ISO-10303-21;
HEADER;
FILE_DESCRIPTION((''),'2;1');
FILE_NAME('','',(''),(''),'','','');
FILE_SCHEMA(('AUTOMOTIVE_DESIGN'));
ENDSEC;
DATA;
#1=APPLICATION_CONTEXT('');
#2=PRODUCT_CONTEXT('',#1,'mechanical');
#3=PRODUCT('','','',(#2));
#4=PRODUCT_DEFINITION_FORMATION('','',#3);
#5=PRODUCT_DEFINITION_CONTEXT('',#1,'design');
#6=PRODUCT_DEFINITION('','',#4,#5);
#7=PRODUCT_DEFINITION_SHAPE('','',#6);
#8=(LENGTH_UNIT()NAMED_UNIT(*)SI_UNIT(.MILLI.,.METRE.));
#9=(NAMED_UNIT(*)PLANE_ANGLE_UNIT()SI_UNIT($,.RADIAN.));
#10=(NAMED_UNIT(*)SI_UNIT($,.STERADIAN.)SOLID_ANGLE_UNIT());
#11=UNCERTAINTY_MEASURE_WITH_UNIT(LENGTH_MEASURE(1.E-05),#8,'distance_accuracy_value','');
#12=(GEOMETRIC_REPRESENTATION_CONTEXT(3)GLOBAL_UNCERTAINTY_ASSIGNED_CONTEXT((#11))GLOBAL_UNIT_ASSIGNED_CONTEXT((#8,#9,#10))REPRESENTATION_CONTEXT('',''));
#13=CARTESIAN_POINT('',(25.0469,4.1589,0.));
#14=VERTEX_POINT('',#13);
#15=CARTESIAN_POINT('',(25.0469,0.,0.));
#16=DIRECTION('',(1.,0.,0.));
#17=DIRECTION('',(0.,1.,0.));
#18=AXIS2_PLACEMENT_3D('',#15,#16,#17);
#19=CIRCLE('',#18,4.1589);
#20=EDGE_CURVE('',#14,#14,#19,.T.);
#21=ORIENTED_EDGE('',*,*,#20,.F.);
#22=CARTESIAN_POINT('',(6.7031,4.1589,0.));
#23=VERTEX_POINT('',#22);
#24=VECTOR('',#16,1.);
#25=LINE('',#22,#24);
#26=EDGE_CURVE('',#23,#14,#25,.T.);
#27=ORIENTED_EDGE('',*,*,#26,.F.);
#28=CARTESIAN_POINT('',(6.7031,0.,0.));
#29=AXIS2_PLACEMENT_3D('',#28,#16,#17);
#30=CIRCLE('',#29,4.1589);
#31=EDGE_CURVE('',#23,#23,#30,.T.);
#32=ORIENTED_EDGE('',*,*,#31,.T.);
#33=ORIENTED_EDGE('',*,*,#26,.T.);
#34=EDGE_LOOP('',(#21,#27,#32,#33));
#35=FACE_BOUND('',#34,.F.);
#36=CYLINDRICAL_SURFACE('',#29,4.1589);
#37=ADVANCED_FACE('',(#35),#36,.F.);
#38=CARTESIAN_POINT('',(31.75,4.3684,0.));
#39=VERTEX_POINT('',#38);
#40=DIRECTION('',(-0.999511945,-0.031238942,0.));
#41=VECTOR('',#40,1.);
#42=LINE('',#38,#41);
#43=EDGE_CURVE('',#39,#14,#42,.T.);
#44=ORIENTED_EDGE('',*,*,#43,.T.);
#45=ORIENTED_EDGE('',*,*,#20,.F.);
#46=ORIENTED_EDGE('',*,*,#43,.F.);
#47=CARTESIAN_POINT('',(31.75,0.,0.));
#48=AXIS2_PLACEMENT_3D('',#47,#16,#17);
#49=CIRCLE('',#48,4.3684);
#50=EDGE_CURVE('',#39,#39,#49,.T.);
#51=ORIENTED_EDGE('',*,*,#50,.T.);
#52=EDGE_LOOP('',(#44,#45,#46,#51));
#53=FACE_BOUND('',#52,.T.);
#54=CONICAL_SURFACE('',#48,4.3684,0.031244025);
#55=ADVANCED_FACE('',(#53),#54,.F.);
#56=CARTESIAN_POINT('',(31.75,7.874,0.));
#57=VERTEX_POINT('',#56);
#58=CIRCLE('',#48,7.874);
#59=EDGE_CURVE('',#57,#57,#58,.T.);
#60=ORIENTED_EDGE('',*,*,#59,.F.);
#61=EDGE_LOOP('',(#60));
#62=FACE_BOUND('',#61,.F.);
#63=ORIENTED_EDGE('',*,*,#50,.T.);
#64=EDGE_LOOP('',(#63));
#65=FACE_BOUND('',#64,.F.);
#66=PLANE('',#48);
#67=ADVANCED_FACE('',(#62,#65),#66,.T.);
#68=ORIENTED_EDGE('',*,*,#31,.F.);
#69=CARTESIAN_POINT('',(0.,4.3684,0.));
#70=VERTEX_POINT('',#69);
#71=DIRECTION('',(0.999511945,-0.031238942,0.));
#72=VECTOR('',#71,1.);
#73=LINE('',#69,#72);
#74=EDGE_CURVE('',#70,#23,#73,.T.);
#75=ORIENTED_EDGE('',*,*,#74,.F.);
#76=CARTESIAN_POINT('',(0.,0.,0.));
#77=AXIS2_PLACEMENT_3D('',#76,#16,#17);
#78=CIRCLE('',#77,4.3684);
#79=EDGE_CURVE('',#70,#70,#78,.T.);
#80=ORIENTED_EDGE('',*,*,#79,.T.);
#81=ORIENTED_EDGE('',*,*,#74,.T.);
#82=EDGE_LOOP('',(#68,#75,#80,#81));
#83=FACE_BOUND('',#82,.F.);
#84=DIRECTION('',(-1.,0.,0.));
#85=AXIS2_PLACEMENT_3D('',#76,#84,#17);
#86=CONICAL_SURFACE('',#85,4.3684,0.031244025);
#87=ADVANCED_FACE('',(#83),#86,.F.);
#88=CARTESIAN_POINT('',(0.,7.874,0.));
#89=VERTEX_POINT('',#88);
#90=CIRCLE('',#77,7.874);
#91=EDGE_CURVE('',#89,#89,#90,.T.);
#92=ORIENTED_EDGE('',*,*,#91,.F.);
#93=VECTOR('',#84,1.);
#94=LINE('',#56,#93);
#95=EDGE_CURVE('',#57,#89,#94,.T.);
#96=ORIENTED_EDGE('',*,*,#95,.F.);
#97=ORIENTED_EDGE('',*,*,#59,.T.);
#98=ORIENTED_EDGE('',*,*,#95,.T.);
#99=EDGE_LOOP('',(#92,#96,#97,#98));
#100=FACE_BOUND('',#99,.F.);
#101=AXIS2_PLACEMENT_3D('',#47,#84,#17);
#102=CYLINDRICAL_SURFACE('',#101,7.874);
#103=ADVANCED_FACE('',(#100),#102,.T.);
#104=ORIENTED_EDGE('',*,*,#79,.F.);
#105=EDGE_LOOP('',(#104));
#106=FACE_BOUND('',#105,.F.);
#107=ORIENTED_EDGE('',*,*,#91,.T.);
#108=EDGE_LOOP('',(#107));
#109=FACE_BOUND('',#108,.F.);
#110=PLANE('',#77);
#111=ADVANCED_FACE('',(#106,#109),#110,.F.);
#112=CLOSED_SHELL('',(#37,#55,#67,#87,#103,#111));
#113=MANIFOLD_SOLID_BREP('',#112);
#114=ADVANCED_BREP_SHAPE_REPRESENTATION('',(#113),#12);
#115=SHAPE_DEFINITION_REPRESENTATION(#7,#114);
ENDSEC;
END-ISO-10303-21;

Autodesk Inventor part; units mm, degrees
ref_plane "YZ Plane" through (0, 0, 0) normal (1, 0, 0) x (0, 1, 0)
ref_plane "XZ Plane" through (0, 0, 0) normal (0, 1, 0) x (-1, 0, 0)
ref_plane "XY Plane" through (0, 0, 0) normal (0, 0, 1) x (1, 0, 0)
sketch "Sketch1" plane through (0, 0, 0) normal (0, 0, 1) x (1, 0, 0)
  line L0 (0, 0) -> (31.75, 0)
  line L1 (31.75, 0) -> (31.75, 4.3684) construction
  line L2 (31.75, 4.3684) -> (0, 4.3684) construction
  line L3 (0, 4.3684) -> (0, 0) construction
  line L4 (31.75, 4.3684) -> (31.75, 7.874)
  line L5 (31.75, 7.874) -> (0, 7.874)
  line L6 (0, 7.874) -> (0, 4.3684)
  line L7 (0, 4.3684) -> (6.7031, 4.1589)
  line L8 (15.875, 0) -> (15.875, 7.874) construction
  line L9 (31.75, 4.3684) -> (25.0469, 4.1589)
  line L10 (6.7031, 4.1589) -> (25.0469, 4.1589)
  line L11 (6.7031, 4.1589) -> (6.7031, 0) construction
  line L12 (25.0469, 4.1589) -> (25.0469, 0) construction
  dimension "d0" = 8.7368
  dimension "d1" = 31.75
  dimension "d2" = 15.748
  dimension "d3" = 1.79
  dimension "d4" = 6.7031
revolve "Revolve1" add sketch "Sketch1" angle 360 about axis through (0, 0, 0) along (1, 0, 0)
thread "Thread1" size "1/8" designation "1/8 - 27 NPT" standard "NPT" full length
thread "Thread2" size "1/8" designation "1/8 - 27 NPT" standard "NPT" full length
equation "\"d0\" = MD"
equation "\"d1\" = W1"
equation "\"d2\" = D"
equation "\"d4\" = L"
equation "\"W1\" = 31.75"
equation "\"D\" = 15.748"
equation "\"L\" = 6.70306"
equation "\"MD\" = 8.73684"
equation "\"Size_Designation\" = 1.2345"
properties part number "ASME B16.11 Coupling Threaded - Class 3000 1/8 x 1/8, CTC3000" material "Steel"
